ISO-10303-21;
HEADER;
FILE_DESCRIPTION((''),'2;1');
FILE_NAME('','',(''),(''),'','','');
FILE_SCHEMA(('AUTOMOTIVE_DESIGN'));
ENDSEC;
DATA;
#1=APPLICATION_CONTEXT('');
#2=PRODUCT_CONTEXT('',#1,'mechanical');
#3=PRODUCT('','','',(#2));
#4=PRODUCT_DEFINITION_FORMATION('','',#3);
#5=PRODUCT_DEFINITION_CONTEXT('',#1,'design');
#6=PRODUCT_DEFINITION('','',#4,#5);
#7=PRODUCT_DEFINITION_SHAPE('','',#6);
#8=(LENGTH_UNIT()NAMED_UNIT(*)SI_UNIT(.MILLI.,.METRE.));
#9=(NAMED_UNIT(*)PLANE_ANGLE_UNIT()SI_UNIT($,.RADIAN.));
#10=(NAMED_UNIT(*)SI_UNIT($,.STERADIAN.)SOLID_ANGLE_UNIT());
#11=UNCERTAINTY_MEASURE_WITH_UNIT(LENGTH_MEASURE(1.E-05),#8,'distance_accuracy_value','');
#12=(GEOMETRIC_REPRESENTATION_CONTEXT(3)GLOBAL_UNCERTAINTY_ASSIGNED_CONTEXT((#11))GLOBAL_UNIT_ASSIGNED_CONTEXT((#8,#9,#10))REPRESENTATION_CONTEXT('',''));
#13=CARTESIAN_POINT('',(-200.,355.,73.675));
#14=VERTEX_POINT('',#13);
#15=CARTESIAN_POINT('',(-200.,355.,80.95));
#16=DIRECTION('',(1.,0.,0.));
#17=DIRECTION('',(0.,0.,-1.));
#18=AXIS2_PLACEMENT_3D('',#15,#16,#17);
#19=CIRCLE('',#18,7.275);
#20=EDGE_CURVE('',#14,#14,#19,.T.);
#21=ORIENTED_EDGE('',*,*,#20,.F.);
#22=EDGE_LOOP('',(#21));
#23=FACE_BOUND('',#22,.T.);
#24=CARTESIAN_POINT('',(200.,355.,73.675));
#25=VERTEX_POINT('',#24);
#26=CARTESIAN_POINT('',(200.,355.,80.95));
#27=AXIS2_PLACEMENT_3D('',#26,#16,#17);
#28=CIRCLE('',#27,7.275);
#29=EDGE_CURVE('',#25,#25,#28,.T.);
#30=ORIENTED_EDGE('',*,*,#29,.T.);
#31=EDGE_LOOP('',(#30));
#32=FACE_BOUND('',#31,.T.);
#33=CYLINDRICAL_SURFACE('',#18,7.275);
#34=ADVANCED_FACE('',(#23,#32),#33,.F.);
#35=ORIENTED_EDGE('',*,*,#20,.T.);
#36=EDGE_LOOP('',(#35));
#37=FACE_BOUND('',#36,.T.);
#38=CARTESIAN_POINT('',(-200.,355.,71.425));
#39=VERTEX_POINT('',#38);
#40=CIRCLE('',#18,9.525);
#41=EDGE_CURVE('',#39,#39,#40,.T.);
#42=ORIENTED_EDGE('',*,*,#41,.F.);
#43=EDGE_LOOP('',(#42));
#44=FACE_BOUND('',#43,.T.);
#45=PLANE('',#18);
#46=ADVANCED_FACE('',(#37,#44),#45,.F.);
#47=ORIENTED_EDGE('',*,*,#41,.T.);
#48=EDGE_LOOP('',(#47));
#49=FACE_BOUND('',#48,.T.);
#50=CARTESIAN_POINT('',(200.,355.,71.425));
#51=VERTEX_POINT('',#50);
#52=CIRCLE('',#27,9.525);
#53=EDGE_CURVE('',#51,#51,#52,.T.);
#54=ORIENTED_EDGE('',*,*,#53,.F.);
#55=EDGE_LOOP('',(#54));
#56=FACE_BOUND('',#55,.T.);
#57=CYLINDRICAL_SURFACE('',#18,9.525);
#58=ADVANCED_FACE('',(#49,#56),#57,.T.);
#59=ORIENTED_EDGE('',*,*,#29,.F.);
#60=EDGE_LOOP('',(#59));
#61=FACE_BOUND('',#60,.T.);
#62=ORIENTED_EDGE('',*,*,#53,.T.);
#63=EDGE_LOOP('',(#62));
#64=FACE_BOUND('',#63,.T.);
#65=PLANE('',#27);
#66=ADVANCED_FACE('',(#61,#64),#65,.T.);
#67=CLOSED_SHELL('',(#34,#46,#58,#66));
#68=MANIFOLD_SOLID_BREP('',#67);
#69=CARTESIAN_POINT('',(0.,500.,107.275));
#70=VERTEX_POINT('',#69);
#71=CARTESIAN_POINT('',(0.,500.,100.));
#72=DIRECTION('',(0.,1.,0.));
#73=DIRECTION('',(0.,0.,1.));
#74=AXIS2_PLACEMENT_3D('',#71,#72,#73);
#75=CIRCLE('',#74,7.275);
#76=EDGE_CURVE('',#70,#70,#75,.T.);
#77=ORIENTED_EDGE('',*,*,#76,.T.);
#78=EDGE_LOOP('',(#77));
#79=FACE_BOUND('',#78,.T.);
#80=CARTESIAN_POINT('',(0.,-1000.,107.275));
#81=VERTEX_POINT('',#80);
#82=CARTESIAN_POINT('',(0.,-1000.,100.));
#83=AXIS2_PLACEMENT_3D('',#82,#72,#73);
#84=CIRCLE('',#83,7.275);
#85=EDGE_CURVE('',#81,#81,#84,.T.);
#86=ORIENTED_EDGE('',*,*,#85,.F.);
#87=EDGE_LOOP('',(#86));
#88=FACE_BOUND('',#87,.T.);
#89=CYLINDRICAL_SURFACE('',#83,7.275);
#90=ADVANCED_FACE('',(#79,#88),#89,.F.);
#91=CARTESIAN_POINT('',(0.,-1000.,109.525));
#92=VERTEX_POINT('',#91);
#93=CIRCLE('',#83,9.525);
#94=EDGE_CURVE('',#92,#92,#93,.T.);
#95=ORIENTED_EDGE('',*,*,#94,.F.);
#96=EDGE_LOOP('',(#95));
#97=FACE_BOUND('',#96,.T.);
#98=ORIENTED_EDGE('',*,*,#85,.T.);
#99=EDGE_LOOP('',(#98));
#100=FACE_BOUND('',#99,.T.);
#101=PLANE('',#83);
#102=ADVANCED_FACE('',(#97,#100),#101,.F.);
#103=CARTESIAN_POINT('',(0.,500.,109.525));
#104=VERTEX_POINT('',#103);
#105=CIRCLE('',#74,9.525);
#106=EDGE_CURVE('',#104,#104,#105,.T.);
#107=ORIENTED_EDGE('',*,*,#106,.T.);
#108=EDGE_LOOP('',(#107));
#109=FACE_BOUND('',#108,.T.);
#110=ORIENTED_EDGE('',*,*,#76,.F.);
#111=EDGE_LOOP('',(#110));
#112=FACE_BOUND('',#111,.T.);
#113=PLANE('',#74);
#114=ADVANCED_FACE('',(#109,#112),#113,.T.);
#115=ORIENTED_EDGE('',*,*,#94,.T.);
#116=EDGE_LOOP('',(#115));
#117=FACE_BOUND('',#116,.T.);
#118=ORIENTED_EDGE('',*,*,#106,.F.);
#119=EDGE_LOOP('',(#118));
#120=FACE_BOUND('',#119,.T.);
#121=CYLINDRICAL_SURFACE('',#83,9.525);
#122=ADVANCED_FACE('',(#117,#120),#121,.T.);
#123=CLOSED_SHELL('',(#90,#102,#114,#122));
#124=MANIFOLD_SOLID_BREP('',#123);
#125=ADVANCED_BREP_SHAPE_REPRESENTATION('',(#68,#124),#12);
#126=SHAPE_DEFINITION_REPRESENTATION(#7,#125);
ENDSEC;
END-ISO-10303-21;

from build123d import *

# Parameters (mm, degrees)
RESSALTO_EXTRUS_O1_DEPTH      = 500
RESSALTO_EXTRUS_O1_DEPTH_BACK = 1000
ESBO_O1_R                     = 9.525
ESBO_O1_R_2                   = 7.275
RESSALTO_EXTRUS_O2_DEPTH      = 200
RESSALTO_EXTRUS_O2_DEPTH_BACK = 200
ESBO_O3_R                     = 9.525
ESBO_O3_R_2                   = 7.275


with BuildPart() as part:
    # Esboço1 → Ressalto-extrusão1 (new, two sides: drawn at the far end of the back side and taken through both)
    with BuildSketch(Plane(origin=(0, 0, 0), x_dir=(1, 0, 0), z_dir=(0, 1, 0)).offset(-RESSALTO_EXTRUS_O1_DEPTH_BACK)):
        with Locations((0, -100)):
            Circle(ESBO_O1_R)
        with Locations((0, -100)):
            Circle(ESBO_O1_R_2, mode=Mode.SUBTRACT)
    extrude(amount=RESSALTO_EXTRUS_O1_DEPTH + RESSALTO_EXTRUS_O1_DEPTH_BACK)


with BuildPart() as body_2:
    # Esboço3 → Ressalto-extrusão2 (new, two sides: drawn at the far end of the back side and taken through both)
    with BuildSketch(Plane(origin=(0, 0, 0), x_dir=(0, 0, -1), z_dir=(1, 0, 0)).offset(-RESSALTO_EXTRUS_O2_DEPTH_BACK)):
        with Locations((-80.95, 355)):
            Circle(ESBO_O3_R)
        with Locations((-80.95, 355)):
            Circle(ESBO_O3_R_2, mode=Mode.SUBTRACT)
    extrude(amount=RESSALTO_EXTRUS_O2_DEPTH + RESSALTO_EXTRUS_O2_DEPTH_BACK)


solid = Compound([part.part, body_2.part])
